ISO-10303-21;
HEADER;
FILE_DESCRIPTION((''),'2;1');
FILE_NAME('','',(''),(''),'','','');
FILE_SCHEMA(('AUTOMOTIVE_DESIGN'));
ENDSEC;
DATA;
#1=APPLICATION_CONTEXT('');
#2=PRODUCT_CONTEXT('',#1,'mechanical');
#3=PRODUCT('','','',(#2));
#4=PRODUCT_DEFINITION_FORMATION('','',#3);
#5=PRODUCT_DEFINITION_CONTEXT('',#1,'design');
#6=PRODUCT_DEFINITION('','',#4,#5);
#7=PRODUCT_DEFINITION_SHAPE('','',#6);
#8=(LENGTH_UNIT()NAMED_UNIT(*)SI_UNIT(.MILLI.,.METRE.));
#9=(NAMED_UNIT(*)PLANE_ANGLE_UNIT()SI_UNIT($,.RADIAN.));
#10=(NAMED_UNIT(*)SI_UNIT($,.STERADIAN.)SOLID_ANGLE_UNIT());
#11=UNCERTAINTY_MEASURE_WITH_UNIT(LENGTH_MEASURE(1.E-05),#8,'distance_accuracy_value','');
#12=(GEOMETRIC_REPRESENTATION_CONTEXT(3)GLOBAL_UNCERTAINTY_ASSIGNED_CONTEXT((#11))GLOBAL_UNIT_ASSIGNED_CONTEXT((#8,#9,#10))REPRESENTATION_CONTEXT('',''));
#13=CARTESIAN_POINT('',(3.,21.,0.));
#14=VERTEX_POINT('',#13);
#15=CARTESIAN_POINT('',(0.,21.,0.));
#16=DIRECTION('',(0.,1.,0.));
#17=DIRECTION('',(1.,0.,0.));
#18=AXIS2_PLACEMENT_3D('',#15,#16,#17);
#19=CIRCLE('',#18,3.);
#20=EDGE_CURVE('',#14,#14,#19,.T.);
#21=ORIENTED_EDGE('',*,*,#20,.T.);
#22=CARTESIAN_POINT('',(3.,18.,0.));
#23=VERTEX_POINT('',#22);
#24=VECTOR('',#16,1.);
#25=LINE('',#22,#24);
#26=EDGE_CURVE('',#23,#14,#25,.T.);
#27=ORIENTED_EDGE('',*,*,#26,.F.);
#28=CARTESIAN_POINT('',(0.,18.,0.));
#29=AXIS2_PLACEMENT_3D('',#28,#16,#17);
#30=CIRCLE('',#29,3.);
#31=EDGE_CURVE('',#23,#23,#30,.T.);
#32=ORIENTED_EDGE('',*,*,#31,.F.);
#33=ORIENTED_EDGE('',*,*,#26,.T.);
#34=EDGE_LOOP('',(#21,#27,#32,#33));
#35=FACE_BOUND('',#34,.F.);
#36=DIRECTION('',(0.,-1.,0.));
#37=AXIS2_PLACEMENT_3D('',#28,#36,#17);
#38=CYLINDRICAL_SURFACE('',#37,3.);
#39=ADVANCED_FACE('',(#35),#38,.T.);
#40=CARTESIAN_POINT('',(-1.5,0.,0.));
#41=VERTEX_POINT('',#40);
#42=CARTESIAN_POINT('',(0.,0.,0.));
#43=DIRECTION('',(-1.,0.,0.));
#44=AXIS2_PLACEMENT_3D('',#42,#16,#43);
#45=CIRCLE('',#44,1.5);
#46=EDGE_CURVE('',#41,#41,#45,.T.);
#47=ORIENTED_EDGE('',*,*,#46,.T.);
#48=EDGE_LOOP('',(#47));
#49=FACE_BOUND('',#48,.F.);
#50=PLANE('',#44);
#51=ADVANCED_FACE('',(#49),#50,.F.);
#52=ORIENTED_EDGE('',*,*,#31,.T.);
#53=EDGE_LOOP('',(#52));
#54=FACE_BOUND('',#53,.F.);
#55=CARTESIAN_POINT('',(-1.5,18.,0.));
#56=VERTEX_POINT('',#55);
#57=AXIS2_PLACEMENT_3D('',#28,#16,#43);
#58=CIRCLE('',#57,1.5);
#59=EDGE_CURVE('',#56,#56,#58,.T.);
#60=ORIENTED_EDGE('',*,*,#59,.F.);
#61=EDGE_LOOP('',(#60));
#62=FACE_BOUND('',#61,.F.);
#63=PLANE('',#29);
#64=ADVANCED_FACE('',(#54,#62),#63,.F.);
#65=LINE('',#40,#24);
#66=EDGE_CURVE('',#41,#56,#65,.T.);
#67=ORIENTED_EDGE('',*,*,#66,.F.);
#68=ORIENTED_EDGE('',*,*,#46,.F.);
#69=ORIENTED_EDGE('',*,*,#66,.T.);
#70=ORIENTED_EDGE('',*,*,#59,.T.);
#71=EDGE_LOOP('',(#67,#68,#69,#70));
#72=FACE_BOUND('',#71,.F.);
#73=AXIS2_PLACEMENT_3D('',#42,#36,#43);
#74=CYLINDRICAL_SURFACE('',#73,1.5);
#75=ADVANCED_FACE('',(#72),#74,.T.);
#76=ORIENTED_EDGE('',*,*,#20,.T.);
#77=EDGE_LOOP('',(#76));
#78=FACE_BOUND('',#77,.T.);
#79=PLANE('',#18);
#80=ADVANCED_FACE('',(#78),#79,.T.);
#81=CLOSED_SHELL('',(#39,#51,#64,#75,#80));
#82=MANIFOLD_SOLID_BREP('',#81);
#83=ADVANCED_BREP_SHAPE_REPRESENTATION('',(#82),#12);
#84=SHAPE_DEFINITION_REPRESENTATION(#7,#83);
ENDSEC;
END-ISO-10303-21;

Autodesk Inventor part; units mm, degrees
ref_plane "YZ Plane" through (0, 0, 0) normal (1, 0, 0) x (0, 1, 0)
ref_plane "XZ Plane" through (0, 0, 0) normal (0, 1, 0) x (-1, 0, 0)
ref_plane "XY Plane" through (0, 0, 0) normal (0, 0, 1) x (1, 0, 0)
sketch "Sketch1" plane through (0, 0, 0) normal (0, 1, 0) x (-1, 0, 0)
  circle A0 centre (0, 0) radius 1.5
  dimension "d0" = 3
extrude "Extrusion1" add sketch "Sketch1" along normal blind 18
sketch "Sketch2" plane through (0, 18, 0) normal (0, 1, 0) x (1, 0, 0)
  circle A0 centre (0, 0) radius 3
  dimension "d3" = 6
extrude "Extrusion2" add sketch "Sketch2" along normal blind 3
properties part number "fake m3 screw"
